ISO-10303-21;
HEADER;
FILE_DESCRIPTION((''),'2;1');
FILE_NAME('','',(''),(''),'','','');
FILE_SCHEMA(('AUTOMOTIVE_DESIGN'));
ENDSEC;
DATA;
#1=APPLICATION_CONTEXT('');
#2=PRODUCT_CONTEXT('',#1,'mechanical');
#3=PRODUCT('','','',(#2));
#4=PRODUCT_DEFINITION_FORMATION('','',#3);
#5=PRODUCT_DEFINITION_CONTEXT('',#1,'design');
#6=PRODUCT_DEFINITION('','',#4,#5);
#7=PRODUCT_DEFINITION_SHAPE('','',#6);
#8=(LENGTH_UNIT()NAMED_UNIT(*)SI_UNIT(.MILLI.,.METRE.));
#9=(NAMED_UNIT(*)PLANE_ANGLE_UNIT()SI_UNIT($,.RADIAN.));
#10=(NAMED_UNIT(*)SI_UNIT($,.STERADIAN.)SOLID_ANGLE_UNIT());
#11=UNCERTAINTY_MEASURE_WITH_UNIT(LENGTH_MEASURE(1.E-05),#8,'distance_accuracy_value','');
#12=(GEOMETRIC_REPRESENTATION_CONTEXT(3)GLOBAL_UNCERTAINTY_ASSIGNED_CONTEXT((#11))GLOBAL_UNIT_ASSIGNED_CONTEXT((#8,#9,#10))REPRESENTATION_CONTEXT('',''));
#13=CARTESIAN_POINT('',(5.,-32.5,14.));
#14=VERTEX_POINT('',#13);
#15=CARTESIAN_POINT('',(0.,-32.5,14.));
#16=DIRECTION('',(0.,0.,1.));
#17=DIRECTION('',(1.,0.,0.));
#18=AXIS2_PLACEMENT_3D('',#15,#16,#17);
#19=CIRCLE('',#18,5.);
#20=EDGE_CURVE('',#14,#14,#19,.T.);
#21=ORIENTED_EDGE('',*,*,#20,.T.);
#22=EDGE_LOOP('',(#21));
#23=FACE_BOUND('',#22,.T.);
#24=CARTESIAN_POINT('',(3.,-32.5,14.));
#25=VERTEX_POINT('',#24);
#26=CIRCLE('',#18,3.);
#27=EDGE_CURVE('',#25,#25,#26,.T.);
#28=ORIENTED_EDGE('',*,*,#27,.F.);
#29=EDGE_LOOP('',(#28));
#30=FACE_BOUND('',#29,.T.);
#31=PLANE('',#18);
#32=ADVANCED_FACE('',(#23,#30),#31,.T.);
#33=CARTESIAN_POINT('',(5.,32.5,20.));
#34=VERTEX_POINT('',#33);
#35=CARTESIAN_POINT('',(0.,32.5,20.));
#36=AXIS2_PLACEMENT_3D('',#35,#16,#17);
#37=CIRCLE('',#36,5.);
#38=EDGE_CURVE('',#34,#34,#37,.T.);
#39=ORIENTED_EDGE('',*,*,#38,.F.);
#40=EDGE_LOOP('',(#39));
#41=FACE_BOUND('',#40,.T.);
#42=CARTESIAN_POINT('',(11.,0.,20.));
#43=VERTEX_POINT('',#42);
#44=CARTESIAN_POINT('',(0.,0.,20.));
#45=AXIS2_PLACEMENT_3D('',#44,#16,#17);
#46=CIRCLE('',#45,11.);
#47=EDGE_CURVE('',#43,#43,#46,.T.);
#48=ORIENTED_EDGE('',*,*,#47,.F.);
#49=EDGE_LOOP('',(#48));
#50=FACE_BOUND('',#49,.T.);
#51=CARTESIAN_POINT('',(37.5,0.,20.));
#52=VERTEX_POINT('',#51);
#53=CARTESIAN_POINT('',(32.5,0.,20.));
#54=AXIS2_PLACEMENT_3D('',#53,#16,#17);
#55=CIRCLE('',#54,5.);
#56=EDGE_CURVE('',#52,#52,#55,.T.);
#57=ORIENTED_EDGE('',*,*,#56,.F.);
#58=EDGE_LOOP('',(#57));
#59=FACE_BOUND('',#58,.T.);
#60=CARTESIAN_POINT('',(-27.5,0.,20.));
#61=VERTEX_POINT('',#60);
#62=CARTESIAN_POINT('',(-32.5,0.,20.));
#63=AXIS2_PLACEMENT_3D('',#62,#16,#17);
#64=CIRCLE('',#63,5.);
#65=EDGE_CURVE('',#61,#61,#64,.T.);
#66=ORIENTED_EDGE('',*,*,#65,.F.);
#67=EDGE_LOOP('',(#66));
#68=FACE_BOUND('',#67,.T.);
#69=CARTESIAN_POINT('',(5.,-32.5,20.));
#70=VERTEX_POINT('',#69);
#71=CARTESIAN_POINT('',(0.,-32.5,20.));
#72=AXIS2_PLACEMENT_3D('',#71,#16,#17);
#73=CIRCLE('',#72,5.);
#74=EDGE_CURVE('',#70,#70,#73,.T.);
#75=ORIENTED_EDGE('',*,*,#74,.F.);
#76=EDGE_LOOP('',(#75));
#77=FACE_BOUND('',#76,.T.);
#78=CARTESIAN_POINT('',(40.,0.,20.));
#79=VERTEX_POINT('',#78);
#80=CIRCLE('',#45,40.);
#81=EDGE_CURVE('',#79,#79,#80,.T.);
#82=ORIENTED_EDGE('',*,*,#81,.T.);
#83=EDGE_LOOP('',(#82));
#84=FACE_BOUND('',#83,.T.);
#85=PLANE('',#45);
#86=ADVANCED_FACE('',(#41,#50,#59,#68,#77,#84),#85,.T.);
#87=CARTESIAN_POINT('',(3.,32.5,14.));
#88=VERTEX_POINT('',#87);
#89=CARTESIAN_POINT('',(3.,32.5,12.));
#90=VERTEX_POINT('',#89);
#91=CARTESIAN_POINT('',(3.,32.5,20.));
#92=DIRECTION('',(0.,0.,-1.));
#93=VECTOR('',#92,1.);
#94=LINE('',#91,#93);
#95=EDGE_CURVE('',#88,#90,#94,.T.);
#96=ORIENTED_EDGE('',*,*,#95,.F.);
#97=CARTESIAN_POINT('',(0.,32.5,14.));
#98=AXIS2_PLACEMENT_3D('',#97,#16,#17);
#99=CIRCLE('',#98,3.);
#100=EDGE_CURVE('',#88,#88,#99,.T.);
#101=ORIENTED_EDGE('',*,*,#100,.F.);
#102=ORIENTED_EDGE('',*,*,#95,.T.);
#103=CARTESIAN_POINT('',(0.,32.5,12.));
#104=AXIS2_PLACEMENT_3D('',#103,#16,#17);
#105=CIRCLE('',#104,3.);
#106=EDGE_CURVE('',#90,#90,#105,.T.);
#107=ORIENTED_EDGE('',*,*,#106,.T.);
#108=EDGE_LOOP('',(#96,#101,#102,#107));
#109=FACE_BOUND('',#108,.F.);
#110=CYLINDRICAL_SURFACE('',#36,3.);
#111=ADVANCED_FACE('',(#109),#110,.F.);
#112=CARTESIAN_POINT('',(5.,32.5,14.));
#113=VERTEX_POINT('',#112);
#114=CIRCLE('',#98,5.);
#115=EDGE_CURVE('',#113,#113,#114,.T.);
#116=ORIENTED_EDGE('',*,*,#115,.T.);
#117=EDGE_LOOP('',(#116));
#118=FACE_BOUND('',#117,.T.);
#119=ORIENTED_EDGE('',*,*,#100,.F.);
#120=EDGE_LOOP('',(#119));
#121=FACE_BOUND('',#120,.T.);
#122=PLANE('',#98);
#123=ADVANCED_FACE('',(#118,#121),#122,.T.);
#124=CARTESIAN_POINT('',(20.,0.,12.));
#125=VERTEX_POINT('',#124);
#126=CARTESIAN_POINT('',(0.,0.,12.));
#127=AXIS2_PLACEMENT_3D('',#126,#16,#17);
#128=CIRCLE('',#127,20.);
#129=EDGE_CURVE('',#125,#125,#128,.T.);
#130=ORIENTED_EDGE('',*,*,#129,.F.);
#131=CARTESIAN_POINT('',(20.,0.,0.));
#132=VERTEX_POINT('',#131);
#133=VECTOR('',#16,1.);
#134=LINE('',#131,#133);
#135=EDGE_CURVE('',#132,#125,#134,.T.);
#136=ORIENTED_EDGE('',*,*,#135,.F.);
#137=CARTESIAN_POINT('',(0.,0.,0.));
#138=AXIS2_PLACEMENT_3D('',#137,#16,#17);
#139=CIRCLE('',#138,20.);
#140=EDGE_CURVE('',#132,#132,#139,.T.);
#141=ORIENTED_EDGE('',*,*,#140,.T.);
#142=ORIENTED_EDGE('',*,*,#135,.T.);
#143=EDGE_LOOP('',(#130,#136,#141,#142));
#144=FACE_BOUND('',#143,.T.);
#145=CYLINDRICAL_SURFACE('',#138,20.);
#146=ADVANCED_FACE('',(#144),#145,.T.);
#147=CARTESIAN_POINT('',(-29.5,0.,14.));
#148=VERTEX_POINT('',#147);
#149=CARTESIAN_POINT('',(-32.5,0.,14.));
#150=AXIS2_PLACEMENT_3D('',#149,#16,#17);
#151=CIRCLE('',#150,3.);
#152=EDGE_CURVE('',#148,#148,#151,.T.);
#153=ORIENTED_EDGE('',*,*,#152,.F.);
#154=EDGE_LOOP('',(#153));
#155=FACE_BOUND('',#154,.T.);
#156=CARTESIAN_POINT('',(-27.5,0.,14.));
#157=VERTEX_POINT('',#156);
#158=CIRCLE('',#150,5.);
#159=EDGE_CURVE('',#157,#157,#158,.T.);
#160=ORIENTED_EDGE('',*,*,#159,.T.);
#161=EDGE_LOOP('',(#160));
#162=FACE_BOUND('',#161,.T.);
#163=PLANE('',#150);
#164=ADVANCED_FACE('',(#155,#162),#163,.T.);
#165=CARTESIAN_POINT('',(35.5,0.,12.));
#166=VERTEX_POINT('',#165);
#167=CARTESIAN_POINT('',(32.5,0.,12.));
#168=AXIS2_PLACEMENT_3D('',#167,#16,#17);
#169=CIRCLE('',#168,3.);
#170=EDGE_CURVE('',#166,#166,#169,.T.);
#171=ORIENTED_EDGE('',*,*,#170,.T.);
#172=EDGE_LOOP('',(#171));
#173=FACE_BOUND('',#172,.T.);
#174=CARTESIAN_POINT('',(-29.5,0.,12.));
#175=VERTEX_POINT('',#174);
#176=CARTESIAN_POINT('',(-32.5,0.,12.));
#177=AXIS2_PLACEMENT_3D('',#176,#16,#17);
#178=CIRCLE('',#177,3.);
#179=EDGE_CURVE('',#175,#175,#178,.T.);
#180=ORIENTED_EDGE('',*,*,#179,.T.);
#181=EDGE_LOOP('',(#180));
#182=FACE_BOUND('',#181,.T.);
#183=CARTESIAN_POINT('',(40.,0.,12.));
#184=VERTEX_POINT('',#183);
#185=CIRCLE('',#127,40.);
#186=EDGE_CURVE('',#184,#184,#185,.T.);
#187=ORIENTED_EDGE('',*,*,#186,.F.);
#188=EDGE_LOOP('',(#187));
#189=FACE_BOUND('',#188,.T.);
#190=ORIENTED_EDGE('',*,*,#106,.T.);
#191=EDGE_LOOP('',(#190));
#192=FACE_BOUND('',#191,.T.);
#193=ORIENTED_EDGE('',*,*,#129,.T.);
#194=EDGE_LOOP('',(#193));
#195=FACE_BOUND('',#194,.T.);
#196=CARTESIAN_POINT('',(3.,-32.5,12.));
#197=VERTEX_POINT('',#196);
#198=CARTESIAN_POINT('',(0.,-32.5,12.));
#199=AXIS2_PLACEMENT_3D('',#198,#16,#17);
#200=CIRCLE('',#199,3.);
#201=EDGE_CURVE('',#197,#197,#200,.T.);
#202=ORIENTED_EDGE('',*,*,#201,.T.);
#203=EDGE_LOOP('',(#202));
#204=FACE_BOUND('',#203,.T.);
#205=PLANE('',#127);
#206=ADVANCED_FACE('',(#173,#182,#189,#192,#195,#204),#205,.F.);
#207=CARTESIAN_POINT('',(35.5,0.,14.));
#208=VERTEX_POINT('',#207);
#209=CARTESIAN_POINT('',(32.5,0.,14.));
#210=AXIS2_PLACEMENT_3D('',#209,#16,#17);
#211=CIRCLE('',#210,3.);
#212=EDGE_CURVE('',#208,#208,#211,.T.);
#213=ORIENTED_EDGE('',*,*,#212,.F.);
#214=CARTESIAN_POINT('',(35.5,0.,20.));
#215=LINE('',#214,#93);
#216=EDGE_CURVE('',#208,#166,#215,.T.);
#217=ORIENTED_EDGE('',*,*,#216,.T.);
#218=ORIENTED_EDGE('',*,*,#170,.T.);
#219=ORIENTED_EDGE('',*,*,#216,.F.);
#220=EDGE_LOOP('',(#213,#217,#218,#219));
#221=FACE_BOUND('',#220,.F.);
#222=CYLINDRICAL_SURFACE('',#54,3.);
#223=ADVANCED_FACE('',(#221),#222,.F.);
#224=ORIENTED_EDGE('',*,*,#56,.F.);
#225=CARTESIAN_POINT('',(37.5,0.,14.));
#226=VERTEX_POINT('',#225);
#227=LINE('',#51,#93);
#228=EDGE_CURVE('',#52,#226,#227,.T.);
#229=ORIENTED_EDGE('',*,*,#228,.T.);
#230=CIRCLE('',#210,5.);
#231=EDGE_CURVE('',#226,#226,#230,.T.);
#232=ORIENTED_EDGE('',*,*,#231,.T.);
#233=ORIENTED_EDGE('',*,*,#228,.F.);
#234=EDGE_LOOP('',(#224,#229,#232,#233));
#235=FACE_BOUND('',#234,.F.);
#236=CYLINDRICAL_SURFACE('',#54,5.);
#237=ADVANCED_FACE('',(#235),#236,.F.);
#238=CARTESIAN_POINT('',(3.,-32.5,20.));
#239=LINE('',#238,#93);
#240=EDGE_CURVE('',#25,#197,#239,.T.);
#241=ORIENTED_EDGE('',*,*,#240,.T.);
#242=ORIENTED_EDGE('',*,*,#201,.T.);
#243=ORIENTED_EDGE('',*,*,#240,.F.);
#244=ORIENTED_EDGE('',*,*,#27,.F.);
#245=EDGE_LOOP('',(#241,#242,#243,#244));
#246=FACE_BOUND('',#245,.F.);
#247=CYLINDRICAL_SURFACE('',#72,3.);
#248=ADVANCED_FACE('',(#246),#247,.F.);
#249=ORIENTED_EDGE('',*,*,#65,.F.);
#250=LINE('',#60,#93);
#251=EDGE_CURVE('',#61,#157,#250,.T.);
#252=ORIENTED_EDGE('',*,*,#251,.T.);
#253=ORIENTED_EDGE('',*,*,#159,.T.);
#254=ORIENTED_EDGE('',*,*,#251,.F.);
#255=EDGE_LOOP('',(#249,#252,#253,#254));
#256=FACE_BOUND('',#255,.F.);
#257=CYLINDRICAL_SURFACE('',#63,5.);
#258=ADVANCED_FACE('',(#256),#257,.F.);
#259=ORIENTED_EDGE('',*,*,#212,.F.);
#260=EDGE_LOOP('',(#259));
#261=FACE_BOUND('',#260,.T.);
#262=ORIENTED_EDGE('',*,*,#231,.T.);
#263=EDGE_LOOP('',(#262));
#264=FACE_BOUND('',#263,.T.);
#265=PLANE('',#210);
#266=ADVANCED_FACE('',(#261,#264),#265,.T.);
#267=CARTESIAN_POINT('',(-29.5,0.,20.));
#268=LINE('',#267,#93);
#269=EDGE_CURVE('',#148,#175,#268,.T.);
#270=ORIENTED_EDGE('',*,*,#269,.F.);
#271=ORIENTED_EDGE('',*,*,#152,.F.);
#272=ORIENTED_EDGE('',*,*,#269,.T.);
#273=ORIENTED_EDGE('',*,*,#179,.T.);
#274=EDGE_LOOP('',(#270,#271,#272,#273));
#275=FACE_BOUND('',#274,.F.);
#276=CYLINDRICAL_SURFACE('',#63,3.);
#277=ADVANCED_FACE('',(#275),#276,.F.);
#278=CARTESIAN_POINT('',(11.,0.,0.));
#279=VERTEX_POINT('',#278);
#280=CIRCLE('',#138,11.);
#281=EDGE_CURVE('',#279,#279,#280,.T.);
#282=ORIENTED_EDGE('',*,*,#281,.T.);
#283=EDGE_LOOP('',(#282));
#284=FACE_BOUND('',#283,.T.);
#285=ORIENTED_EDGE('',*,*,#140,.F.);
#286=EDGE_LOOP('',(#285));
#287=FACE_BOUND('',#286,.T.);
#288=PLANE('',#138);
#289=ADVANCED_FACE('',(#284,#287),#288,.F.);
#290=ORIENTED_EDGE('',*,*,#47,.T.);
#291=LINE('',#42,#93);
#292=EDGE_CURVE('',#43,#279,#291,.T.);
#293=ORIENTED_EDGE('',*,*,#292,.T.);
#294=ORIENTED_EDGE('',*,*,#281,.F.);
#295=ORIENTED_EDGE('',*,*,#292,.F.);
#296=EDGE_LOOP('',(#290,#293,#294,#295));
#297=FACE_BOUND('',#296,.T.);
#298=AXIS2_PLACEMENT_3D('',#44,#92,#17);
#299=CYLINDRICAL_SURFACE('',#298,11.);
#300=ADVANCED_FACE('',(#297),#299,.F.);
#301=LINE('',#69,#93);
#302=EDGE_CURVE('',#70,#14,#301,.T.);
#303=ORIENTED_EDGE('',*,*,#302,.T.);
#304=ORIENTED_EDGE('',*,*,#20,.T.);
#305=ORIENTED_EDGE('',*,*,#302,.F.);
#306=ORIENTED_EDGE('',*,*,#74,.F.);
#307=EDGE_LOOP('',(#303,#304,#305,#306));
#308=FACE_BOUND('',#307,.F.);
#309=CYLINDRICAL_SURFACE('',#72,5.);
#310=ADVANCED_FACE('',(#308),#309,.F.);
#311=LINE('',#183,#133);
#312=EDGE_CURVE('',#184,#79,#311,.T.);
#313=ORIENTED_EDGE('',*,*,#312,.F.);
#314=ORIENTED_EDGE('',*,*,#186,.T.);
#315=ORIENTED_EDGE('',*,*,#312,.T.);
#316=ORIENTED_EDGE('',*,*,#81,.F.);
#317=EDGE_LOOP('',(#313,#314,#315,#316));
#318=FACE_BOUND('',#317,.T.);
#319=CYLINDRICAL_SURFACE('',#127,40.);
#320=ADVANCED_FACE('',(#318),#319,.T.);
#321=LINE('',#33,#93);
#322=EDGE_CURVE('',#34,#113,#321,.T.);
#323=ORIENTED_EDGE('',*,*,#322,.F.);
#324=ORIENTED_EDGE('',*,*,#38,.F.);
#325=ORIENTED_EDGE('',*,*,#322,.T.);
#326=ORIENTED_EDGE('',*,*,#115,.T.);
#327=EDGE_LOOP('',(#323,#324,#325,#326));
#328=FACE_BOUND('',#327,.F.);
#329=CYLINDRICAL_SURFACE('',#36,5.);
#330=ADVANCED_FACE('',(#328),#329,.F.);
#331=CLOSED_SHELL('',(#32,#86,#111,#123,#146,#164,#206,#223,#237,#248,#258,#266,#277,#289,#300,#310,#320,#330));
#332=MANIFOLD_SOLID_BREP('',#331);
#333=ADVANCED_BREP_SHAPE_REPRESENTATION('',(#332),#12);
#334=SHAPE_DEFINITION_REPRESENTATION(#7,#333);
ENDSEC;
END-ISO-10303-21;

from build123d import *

# Parameters (mm, degrees)
F2_R     = 3
F3_DEPTH = 20.001
F4_R     = 5
F5_DEPTH = 6


with BuildPart() as f1:
    # F0 (on Front) → F1 (revolve)
    with BuildSketch(Plane.XZ):
        Polygon((11, 20), (11, 0), (20, 0), (20, 12), (40, 12), (40, 20), align=None)
    revolve(axis=Axis((0, 0, 10), (0, 0, 1)))

    # F2 (on face) → F3 (cut, through all)
    with BuildSketch(Plane.XY.offset(20)):
        with Locations((0, 32.5)):
            Circle(F2_R)
        with Locations((-32.5, 0)):
            Circle(F2_R)
        with Locations((0, -32.5)):
            Circle(F2_R)
        with Locations((32.5, 0)):
            Circle(F2_R)
    extrude(amount=-F3_DEPTH, mode=Mode.SUBTRACT)

    # F4 (on face) → F5 (cut)
    with BuildSketch(Plane.XY.offset(20)):
        with Locations((0, 32.5)):
            Circle(F4_R)
        with Locations((-32.5, 0)):
            Circle(F4_R)
        with Locations((0, -32.5)):
            Circle(F4_R)
        with Locations((32.5, 0)):
            Circle(F4_R)
    extrude(amount=-F5_DEPTH, mode=Mode.SUBTRACT)


solid = f1.part
